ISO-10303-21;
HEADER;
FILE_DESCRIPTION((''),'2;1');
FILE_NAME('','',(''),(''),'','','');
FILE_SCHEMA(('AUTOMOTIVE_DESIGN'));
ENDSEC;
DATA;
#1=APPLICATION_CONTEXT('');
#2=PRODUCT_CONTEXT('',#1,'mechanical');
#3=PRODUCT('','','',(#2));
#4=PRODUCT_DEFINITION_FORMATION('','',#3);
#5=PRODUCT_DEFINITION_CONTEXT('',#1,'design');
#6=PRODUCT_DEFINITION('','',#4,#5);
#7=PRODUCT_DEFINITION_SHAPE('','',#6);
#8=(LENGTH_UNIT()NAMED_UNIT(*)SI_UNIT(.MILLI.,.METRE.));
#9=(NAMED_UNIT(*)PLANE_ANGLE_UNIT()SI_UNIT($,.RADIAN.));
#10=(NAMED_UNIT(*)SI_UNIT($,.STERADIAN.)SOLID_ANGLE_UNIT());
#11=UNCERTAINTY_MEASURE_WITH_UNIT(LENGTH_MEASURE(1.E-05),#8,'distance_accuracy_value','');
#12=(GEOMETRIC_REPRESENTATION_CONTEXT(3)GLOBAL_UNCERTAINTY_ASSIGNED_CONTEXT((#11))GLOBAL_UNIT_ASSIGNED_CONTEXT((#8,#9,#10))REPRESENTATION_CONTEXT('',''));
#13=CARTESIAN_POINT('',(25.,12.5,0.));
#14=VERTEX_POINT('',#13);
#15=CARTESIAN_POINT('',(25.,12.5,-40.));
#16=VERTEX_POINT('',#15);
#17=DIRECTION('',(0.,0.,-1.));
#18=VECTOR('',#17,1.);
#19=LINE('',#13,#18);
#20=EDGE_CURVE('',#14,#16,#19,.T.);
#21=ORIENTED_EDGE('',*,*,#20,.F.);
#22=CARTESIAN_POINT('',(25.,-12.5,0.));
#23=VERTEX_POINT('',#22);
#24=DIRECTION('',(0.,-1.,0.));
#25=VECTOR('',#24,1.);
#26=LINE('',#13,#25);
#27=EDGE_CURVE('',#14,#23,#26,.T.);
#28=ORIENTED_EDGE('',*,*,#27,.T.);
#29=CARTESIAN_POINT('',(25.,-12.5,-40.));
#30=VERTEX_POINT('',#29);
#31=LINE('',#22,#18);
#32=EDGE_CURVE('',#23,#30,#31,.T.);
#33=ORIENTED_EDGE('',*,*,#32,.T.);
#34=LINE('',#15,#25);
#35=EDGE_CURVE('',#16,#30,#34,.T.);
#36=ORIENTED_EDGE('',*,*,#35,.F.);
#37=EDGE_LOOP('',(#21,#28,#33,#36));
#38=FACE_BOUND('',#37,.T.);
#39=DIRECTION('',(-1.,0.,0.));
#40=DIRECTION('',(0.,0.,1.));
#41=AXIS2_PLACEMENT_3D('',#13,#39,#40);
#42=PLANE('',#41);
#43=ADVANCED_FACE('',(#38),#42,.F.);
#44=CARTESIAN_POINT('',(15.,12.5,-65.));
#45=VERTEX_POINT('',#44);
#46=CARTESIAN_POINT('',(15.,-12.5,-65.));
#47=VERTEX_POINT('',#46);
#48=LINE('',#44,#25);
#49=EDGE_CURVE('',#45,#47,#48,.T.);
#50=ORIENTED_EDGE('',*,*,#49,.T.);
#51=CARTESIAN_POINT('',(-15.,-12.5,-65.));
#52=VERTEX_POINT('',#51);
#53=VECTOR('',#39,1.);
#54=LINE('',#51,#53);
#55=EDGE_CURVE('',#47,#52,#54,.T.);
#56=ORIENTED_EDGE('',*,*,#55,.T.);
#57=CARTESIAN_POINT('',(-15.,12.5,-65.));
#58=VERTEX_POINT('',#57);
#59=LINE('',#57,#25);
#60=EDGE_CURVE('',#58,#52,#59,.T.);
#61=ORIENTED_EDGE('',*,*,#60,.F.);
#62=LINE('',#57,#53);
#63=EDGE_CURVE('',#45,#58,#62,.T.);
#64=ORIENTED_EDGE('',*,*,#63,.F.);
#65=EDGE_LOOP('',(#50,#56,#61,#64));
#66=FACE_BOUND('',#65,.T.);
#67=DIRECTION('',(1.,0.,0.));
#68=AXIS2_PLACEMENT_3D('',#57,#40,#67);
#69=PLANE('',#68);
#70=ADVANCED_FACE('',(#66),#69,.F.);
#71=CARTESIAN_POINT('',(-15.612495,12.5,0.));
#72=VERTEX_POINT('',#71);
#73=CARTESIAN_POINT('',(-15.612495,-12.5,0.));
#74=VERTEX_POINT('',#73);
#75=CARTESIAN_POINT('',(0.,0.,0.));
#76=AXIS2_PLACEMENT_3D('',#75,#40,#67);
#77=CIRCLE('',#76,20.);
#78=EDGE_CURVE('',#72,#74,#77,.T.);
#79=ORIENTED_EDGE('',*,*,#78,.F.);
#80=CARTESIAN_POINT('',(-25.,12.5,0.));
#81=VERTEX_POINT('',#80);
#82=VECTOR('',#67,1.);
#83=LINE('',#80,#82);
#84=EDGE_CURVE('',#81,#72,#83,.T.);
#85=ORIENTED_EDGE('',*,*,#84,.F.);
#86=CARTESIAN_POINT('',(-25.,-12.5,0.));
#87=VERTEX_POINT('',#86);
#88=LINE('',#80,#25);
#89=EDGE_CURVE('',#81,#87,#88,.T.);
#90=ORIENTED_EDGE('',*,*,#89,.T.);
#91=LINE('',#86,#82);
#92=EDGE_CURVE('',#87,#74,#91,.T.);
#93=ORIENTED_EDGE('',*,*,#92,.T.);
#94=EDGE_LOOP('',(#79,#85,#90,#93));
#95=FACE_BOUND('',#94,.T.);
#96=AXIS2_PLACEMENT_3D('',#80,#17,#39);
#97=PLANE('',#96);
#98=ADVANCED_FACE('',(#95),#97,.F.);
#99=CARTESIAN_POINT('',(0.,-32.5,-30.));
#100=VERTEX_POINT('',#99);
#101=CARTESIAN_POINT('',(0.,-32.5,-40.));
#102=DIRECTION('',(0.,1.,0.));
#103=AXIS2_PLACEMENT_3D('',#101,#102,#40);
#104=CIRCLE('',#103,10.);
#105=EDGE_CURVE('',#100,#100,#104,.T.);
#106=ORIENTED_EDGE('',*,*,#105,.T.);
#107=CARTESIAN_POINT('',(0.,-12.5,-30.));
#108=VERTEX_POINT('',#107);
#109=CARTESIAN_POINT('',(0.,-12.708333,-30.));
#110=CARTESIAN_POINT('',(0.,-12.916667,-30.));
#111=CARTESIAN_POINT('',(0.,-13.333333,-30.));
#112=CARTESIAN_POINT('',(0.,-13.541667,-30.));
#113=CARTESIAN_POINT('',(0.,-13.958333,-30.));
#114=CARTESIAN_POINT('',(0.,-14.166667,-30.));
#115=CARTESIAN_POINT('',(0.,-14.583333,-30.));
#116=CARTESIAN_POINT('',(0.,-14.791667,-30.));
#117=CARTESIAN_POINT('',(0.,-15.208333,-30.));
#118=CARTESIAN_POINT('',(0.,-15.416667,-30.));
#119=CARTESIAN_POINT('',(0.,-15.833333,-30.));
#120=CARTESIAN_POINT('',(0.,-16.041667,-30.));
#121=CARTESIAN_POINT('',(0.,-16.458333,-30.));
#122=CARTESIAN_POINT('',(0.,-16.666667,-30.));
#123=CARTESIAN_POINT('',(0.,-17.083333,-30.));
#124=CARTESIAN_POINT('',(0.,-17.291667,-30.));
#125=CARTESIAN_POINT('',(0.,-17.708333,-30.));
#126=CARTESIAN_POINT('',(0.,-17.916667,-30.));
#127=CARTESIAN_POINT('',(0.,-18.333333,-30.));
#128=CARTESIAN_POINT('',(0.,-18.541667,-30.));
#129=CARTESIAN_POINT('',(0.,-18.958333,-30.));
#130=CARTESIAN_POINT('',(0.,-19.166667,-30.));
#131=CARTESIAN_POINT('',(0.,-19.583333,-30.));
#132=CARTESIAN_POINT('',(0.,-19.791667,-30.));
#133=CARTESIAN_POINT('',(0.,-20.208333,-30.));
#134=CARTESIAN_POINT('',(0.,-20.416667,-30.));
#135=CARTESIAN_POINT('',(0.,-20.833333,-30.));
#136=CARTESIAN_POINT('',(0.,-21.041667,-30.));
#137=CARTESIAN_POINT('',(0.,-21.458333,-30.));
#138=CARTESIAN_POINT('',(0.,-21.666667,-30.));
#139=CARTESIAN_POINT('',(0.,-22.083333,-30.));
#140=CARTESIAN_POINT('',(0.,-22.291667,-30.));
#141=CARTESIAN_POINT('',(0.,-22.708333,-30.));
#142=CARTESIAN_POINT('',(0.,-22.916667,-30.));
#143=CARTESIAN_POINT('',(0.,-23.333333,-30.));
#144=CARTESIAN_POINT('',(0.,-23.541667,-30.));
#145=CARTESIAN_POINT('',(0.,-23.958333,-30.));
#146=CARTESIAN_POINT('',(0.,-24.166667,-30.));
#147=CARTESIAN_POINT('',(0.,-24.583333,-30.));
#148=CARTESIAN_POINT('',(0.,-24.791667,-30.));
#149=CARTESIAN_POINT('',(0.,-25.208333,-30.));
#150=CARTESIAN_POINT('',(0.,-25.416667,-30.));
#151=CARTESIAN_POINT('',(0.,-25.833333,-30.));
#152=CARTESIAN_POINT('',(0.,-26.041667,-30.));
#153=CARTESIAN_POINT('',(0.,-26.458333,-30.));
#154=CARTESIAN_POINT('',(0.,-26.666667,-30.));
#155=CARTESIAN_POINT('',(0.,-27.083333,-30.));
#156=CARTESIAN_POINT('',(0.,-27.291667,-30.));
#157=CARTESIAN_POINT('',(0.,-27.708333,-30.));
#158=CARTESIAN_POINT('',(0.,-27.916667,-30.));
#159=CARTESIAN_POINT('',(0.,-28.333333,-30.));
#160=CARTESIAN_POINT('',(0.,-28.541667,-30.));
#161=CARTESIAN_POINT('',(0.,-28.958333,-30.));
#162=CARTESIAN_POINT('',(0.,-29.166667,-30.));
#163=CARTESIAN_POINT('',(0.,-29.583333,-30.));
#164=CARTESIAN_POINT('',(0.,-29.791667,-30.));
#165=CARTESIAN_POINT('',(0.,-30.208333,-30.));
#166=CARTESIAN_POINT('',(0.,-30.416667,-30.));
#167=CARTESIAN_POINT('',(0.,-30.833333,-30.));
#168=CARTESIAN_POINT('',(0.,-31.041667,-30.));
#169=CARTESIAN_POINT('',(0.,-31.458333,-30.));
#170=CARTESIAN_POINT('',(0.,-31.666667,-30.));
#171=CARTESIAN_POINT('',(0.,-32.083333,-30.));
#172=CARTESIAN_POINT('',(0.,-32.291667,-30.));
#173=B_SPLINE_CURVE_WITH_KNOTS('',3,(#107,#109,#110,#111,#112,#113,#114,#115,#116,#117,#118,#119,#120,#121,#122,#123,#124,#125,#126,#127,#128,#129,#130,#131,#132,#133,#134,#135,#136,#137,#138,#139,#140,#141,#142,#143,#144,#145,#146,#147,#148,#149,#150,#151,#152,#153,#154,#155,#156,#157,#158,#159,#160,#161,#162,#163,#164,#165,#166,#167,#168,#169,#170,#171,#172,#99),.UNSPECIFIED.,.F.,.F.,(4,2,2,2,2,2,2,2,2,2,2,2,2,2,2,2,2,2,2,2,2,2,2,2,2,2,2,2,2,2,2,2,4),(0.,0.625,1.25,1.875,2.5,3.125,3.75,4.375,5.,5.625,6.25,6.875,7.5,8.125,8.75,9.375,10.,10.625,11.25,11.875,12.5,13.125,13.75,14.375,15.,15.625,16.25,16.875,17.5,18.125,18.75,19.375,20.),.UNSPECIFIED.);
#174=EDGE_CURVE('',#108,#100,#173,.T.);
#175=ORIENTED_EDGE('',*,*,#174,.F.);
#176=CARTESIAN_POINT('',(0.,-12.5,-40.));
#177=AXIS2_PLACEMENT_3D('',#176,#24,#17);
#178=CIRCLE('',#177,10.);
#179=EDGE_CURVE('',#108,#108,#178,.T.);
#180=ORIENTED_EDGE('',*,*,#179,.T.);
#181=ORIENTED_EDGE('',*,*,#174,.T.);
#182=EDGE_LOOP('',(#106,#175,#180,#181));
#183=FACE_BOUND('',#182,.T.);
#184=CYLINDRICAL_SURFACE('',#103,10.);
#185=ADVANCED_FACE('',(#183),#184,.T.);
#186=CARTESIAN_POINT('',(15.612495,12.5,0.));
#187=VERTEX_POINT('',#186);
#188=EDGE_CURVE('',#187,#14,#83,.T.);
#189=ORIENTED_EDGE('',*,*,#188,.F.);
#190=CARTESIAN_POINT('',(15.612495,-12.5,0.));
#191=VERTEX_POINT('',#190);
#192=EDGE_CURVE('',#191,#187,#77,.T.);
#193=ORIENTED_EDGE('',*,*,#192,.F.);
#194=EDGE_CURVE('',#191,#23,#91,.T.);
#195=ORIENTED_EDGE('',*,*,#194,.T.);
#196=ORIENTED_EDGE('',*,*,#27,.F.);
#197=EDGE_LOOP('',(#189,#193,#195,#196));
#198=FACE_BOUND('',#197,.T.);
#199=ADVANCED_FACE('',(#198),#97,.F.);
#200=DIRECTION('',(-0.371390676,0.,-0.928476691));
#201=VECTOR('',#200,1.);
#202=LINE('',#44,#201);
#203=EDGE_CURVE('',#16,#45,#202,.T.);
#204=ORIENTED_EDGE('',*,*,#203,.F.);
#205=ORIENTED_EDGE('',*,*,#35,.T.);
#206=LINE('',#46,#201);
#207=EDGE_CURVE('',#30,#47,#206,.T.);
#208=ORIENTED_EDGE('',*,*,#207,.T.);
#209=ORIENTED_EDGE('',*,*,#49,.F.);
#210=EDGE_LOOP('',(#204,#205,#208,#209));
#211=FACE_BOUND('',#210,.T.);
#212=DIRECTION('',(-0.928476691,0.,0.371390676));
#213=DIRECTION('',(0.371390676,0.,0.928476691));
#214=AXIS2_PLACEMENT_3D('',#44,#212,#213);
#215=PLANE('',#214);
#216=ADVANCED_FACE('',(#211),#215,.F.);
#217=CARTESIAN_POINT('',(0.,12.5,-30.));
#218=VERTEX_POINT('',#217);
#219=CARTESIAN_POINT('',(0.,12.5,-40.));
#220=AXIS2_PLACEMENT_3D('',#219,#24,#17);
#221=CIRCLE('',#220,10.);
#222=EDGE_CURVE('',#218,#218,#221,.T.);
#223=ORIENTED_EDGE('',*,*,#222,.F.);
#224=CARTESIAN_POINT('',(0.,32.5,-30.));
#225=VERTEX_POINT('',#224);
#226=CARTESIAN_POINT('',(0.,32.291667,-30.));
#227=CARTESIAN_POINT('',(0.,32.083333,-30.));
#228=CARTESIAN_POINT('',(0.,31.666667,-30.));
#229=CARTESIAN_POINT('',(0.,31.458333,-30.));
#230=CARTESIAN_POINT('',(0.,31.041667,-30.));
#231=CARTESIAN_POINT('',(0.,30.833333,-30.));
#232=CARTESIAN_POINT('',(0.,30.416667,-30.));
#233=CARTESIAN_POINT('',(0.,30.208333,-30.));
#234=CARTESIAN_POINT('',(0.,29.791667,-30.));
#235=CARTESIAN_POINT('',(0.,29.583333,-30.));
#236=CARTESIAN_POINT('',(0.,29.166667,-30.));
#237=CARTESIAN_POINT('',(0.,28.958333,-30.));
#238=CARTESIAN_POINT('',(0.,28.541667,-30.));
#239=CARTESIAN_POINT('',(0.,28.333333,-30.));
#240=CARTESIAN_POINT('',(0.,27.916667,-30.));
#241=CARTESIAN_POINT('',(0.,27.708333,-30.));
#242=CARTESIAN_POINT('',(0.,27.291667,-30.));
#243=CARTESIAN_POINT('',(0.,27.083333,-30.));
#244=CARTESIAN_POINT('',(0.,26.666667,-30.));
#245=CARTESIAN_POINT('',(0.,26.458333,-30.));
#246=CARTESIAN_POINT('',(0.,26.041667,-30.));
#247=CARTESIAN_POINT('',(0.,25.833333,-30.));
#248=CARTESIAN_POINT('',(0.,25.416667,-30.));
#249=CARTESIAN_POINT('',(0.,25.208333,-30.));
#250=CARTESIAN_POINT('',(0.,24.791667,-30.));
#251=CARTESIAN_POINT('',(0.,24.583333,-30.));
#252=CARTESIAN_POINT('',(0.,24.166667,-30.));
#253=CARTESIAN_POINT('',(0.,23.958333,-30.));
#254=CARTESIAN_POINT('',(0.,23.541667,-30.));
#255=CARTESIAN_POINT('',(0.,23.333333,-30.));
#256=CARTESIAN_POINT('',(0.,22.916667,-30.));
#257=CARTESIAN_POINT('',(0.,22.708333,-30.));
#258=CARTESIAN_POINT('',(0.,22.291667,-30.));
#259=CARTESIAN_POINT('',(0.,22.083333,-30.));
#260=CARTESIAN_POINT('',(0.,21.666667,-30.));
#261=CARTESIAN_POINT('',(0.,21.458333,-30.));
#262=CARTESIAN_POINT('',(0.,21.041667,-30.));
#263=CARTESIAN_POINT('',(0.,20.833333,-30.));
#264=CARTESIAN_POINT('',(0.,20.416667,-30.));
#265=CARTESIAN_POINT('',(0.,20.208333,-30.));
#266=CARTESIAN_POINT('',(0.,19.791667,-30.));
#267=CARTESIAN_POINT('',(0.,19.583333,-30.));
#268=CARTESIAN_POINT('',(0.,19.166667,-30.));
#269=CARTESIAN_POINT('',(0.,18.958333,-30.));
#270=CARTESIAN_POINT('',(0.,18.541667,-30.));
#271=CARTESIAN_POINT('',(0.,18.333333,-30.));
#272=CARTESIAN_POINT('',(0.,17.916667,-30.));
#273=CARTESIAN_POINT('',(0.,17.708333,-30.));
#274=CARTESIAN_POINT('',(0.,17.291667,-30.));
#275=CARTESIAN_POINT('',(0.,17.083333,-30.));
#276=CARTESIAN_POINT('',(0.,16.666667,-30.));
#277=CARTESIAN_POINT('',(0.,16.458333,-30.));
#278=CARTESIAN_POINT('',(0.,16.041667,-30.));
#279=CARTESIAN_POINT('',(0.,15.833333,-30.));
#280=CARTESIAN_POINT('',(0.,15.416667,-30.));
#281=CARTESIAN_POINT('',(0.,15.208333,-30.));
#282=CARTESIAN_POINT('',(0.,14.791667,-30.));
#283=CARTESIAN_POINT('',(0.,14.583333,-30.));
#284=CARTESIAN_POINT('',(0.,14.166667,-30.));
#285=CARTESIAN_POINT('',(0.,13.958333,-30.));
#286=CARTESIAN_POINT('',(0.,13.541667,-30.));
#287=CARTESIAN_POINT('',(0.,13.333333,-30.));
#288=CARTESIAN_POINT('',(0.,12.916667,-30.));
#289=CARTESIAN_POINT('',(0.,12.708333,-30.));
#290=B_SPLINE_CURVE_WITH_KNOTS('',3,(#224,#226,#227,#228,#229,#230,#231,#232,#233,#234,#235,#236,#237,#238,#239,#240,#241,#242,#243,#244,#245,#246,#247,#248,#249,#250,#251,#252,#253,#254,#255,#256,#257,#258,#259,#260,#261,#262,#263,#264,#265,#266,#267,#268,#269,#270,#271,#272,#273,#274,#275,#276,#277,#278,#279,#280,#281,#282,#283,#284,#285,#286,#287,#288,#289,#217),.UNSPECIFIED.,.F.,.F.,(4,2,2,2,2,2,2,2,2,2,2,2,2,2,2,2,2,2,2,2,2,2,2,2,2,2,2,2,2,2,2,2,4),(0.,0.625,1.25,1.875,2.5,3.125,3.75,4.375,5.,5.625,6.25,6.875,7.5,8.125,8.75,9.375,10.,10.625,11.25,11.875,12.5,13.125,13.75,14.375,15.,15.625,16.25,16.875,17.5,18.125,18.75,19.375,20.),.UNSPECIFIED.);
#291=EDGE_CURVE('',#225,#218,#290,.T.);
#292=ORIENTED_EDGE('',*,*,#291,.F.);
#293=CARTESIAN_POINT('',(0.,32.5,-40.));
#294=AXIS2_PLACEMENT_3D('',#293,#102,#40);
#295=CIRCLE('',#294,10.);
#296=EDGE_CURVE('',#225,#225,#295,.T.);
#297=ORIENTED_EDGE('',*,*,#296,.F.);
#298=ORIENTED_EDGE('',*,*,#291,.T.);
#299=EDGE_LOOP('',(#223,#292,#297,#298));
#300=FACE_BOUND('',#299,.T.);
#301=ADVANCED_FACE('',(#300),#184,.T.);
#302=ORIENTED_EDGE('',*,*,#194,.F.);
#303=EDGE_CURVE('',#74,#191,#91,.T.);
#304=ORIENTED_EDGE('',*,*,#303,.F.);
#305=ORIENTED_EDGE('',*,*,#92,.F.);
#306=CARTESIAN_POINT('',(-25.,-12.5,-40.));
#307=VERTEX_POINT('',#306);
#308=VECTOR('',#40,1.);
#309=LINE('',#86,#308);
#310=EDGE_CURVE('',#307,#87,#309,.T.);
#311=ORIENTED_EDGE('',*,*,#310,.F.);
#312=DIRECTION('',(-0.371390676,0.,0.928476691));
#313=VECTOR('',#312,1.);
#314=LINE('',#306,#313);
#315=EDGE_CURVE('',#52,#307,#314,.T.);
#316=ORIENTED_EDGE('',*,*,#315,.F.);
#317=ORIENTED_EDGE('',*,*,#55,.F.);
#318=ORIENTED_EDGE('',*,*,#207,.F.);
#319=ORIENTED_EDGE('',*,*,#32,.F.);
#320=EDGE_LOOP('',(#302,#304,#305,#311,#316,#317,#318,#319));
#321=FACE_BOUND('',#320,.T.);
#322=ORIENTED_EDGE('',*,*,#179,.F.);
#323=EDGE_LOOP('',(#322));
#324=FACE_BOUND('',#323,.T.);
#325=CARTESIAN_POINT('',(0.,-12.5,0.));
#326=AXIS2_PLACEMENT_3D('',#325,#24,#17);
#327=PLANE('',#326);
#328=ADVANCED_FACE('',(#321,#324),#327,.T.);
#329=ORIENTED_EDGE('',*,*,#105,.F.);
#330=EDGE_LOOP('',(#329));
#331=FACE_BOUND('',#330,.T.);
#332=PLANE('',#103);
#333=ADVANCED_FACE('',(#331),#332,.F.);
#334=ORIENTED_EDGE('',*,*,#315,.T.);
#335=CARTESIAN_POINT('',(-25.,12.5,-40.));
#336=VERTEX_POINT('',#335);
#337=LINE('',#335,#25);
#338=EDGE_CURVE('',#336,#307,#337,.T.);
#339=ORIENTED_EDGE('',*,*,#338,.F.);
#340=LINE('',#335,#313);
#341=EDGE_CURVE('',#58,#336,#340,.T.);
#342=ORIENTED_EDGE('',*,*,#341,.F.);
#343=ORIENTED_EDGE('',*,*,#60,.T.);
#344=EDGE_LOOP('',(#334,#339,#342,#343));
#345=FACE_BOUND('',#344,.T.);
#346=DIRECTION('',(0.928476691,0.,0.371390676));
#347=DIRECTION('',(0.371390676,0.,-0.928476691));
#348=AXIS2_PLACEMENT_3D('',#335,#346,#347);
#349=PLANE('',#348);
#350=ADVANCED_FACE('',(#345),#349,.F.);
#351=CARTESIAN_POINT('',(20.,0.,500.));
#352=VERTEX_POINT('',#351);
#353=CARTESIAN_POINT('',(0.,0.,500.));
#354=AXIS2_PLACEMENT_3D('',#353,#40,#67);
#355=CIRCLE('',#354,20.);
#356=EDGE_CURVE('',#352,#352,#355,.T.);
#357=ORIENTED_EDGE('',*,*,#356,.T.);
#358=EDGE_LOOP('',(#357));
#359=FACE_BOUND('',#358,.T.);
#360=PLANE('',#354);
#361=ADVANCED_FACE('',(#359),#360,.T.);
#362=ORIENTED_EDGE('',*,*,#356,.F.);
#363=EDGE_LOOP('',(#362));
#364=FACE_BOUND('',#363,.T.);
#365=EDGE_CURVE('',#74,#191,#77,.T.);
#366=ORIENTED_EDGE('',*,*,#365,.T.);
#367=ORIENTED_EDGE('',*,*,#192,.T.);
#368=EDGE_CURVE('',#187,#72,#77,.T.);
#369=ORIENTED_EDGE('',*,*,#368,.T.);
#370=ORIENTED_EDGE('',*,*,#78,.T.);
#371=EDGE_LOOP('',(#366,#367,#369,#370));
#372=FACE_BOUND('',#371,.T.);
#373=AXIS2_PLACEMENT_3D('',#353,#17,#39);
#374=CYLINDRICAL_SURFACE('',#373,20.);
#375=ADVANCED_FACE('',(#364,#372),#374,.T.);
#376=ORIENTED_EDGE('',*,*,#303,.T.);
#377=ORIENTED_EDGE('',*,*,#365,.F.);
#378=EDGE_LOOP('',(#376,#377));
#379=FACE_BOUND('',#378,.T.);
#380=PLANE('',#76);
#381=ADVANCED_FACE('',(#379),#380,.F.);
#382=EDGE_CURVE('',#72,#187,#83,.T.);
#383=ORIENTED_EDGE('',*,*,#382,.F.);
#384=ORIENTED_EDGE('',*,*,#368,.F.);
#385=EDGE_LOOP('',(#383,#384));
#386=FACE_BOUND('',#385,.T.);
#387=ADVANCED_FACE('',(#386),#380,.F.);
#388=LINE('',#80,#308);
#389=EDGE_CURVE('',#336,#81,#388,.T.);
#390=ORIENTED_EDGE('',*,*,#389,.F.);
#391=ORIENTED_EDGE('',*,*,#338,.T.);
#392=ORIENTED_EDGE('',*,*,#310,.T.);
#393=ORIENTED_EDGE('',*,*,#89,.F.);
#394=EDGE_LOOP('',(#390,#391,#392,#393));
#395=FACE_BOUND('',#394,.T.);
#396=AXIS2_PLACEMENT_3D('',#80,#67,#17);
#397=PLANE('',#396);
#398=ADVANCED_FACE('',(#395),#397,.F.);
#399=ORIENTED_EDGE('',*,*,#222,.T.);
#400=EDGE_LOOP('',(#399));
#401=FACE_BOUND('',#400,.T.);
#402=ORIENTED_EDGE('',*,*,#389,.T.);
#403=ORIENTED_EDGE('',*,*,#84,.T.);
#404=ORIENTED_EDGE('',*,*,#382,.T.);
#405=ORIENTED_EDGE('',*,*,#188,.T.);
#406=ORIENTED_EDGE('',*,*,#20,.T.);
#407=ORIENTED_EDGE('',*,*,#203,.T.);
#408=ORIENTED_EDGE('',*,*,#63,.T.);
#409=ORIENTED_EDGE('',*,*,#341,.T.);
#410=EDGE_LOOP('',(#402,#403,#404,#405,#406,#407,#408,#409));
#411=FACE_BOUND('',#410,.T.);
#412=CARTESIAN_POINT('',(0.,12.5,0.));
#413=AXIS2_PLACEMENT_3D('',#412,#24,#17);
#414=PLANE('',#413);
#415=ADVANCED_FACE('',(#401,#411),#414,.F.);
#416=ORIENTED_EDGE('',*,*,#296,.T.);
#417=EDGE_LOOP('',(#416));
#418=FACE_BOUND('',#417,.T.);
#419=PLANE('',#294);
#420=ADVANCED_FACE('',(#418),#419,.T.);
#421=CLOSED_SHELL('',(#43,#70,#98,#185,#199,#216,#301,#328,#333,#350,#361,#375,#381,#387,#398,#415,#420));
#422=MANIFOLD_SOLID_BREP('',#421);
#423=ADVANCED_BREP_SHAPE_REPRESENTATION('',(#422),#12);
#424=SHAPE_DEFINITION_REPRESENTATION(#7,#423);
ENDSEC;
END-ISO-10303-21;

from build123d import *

# Parameters (mm, degrees)
SKETCH1_R                = 20
BOSS_EXTRUDE1_DEPTH      = 500
BOSS_EXTRUDE6_DEPTH      = 12.5
BOSS_EXTRUDE7_DEPTH      = 20
BOSS_EXTRUDE7_DEPTH_BACK = 45
SKETCH6_R                = 10


with BuildPart() as part:
    # Sketch1 → Boss-Extrude1 (new body)
    with BuildSketch(Plane.XY):
        Circle(SKETCH1_R)
    extrude(amount=BOSS_EXTRUDE1_DEPTH)

    # Sketch2 → Boss-Extrude6 (add, symmetric)
    with BuildSketch(Plane(origin=(0, 0, 0), x_dir=(1, 0, 0), z_dir=(0, 1, 0))):
        Polygon((-25, 40), (-15, 65), (15, 65), (25, 40), (25, 0), (-25, 0), align=None)
    extrude(amount=BOSS_EXTRUDE6_DEPTH, both=True)

    # Sketch6 → Boss-Extrude7 (add, two sides: drawn at the far end of the back side and taken through both)
    with BuildSketch(Plane(origin=(0, 12.5, 0), x_dir=(1, 0, 0), z_dir=(0, 1, 0)).offset(-BOSS_EXTRUDE7_DEPTH_BACK)):
        with Locations(Location((0, 40, 0), (0, 0, 270))):
            Circle(SKETCH6_R)
    extrude(amount=BOSS_EXTRUDE7_DEPTH + BOSS_EXTRUDE7_DEPTH_BACK)


solid = part.part
